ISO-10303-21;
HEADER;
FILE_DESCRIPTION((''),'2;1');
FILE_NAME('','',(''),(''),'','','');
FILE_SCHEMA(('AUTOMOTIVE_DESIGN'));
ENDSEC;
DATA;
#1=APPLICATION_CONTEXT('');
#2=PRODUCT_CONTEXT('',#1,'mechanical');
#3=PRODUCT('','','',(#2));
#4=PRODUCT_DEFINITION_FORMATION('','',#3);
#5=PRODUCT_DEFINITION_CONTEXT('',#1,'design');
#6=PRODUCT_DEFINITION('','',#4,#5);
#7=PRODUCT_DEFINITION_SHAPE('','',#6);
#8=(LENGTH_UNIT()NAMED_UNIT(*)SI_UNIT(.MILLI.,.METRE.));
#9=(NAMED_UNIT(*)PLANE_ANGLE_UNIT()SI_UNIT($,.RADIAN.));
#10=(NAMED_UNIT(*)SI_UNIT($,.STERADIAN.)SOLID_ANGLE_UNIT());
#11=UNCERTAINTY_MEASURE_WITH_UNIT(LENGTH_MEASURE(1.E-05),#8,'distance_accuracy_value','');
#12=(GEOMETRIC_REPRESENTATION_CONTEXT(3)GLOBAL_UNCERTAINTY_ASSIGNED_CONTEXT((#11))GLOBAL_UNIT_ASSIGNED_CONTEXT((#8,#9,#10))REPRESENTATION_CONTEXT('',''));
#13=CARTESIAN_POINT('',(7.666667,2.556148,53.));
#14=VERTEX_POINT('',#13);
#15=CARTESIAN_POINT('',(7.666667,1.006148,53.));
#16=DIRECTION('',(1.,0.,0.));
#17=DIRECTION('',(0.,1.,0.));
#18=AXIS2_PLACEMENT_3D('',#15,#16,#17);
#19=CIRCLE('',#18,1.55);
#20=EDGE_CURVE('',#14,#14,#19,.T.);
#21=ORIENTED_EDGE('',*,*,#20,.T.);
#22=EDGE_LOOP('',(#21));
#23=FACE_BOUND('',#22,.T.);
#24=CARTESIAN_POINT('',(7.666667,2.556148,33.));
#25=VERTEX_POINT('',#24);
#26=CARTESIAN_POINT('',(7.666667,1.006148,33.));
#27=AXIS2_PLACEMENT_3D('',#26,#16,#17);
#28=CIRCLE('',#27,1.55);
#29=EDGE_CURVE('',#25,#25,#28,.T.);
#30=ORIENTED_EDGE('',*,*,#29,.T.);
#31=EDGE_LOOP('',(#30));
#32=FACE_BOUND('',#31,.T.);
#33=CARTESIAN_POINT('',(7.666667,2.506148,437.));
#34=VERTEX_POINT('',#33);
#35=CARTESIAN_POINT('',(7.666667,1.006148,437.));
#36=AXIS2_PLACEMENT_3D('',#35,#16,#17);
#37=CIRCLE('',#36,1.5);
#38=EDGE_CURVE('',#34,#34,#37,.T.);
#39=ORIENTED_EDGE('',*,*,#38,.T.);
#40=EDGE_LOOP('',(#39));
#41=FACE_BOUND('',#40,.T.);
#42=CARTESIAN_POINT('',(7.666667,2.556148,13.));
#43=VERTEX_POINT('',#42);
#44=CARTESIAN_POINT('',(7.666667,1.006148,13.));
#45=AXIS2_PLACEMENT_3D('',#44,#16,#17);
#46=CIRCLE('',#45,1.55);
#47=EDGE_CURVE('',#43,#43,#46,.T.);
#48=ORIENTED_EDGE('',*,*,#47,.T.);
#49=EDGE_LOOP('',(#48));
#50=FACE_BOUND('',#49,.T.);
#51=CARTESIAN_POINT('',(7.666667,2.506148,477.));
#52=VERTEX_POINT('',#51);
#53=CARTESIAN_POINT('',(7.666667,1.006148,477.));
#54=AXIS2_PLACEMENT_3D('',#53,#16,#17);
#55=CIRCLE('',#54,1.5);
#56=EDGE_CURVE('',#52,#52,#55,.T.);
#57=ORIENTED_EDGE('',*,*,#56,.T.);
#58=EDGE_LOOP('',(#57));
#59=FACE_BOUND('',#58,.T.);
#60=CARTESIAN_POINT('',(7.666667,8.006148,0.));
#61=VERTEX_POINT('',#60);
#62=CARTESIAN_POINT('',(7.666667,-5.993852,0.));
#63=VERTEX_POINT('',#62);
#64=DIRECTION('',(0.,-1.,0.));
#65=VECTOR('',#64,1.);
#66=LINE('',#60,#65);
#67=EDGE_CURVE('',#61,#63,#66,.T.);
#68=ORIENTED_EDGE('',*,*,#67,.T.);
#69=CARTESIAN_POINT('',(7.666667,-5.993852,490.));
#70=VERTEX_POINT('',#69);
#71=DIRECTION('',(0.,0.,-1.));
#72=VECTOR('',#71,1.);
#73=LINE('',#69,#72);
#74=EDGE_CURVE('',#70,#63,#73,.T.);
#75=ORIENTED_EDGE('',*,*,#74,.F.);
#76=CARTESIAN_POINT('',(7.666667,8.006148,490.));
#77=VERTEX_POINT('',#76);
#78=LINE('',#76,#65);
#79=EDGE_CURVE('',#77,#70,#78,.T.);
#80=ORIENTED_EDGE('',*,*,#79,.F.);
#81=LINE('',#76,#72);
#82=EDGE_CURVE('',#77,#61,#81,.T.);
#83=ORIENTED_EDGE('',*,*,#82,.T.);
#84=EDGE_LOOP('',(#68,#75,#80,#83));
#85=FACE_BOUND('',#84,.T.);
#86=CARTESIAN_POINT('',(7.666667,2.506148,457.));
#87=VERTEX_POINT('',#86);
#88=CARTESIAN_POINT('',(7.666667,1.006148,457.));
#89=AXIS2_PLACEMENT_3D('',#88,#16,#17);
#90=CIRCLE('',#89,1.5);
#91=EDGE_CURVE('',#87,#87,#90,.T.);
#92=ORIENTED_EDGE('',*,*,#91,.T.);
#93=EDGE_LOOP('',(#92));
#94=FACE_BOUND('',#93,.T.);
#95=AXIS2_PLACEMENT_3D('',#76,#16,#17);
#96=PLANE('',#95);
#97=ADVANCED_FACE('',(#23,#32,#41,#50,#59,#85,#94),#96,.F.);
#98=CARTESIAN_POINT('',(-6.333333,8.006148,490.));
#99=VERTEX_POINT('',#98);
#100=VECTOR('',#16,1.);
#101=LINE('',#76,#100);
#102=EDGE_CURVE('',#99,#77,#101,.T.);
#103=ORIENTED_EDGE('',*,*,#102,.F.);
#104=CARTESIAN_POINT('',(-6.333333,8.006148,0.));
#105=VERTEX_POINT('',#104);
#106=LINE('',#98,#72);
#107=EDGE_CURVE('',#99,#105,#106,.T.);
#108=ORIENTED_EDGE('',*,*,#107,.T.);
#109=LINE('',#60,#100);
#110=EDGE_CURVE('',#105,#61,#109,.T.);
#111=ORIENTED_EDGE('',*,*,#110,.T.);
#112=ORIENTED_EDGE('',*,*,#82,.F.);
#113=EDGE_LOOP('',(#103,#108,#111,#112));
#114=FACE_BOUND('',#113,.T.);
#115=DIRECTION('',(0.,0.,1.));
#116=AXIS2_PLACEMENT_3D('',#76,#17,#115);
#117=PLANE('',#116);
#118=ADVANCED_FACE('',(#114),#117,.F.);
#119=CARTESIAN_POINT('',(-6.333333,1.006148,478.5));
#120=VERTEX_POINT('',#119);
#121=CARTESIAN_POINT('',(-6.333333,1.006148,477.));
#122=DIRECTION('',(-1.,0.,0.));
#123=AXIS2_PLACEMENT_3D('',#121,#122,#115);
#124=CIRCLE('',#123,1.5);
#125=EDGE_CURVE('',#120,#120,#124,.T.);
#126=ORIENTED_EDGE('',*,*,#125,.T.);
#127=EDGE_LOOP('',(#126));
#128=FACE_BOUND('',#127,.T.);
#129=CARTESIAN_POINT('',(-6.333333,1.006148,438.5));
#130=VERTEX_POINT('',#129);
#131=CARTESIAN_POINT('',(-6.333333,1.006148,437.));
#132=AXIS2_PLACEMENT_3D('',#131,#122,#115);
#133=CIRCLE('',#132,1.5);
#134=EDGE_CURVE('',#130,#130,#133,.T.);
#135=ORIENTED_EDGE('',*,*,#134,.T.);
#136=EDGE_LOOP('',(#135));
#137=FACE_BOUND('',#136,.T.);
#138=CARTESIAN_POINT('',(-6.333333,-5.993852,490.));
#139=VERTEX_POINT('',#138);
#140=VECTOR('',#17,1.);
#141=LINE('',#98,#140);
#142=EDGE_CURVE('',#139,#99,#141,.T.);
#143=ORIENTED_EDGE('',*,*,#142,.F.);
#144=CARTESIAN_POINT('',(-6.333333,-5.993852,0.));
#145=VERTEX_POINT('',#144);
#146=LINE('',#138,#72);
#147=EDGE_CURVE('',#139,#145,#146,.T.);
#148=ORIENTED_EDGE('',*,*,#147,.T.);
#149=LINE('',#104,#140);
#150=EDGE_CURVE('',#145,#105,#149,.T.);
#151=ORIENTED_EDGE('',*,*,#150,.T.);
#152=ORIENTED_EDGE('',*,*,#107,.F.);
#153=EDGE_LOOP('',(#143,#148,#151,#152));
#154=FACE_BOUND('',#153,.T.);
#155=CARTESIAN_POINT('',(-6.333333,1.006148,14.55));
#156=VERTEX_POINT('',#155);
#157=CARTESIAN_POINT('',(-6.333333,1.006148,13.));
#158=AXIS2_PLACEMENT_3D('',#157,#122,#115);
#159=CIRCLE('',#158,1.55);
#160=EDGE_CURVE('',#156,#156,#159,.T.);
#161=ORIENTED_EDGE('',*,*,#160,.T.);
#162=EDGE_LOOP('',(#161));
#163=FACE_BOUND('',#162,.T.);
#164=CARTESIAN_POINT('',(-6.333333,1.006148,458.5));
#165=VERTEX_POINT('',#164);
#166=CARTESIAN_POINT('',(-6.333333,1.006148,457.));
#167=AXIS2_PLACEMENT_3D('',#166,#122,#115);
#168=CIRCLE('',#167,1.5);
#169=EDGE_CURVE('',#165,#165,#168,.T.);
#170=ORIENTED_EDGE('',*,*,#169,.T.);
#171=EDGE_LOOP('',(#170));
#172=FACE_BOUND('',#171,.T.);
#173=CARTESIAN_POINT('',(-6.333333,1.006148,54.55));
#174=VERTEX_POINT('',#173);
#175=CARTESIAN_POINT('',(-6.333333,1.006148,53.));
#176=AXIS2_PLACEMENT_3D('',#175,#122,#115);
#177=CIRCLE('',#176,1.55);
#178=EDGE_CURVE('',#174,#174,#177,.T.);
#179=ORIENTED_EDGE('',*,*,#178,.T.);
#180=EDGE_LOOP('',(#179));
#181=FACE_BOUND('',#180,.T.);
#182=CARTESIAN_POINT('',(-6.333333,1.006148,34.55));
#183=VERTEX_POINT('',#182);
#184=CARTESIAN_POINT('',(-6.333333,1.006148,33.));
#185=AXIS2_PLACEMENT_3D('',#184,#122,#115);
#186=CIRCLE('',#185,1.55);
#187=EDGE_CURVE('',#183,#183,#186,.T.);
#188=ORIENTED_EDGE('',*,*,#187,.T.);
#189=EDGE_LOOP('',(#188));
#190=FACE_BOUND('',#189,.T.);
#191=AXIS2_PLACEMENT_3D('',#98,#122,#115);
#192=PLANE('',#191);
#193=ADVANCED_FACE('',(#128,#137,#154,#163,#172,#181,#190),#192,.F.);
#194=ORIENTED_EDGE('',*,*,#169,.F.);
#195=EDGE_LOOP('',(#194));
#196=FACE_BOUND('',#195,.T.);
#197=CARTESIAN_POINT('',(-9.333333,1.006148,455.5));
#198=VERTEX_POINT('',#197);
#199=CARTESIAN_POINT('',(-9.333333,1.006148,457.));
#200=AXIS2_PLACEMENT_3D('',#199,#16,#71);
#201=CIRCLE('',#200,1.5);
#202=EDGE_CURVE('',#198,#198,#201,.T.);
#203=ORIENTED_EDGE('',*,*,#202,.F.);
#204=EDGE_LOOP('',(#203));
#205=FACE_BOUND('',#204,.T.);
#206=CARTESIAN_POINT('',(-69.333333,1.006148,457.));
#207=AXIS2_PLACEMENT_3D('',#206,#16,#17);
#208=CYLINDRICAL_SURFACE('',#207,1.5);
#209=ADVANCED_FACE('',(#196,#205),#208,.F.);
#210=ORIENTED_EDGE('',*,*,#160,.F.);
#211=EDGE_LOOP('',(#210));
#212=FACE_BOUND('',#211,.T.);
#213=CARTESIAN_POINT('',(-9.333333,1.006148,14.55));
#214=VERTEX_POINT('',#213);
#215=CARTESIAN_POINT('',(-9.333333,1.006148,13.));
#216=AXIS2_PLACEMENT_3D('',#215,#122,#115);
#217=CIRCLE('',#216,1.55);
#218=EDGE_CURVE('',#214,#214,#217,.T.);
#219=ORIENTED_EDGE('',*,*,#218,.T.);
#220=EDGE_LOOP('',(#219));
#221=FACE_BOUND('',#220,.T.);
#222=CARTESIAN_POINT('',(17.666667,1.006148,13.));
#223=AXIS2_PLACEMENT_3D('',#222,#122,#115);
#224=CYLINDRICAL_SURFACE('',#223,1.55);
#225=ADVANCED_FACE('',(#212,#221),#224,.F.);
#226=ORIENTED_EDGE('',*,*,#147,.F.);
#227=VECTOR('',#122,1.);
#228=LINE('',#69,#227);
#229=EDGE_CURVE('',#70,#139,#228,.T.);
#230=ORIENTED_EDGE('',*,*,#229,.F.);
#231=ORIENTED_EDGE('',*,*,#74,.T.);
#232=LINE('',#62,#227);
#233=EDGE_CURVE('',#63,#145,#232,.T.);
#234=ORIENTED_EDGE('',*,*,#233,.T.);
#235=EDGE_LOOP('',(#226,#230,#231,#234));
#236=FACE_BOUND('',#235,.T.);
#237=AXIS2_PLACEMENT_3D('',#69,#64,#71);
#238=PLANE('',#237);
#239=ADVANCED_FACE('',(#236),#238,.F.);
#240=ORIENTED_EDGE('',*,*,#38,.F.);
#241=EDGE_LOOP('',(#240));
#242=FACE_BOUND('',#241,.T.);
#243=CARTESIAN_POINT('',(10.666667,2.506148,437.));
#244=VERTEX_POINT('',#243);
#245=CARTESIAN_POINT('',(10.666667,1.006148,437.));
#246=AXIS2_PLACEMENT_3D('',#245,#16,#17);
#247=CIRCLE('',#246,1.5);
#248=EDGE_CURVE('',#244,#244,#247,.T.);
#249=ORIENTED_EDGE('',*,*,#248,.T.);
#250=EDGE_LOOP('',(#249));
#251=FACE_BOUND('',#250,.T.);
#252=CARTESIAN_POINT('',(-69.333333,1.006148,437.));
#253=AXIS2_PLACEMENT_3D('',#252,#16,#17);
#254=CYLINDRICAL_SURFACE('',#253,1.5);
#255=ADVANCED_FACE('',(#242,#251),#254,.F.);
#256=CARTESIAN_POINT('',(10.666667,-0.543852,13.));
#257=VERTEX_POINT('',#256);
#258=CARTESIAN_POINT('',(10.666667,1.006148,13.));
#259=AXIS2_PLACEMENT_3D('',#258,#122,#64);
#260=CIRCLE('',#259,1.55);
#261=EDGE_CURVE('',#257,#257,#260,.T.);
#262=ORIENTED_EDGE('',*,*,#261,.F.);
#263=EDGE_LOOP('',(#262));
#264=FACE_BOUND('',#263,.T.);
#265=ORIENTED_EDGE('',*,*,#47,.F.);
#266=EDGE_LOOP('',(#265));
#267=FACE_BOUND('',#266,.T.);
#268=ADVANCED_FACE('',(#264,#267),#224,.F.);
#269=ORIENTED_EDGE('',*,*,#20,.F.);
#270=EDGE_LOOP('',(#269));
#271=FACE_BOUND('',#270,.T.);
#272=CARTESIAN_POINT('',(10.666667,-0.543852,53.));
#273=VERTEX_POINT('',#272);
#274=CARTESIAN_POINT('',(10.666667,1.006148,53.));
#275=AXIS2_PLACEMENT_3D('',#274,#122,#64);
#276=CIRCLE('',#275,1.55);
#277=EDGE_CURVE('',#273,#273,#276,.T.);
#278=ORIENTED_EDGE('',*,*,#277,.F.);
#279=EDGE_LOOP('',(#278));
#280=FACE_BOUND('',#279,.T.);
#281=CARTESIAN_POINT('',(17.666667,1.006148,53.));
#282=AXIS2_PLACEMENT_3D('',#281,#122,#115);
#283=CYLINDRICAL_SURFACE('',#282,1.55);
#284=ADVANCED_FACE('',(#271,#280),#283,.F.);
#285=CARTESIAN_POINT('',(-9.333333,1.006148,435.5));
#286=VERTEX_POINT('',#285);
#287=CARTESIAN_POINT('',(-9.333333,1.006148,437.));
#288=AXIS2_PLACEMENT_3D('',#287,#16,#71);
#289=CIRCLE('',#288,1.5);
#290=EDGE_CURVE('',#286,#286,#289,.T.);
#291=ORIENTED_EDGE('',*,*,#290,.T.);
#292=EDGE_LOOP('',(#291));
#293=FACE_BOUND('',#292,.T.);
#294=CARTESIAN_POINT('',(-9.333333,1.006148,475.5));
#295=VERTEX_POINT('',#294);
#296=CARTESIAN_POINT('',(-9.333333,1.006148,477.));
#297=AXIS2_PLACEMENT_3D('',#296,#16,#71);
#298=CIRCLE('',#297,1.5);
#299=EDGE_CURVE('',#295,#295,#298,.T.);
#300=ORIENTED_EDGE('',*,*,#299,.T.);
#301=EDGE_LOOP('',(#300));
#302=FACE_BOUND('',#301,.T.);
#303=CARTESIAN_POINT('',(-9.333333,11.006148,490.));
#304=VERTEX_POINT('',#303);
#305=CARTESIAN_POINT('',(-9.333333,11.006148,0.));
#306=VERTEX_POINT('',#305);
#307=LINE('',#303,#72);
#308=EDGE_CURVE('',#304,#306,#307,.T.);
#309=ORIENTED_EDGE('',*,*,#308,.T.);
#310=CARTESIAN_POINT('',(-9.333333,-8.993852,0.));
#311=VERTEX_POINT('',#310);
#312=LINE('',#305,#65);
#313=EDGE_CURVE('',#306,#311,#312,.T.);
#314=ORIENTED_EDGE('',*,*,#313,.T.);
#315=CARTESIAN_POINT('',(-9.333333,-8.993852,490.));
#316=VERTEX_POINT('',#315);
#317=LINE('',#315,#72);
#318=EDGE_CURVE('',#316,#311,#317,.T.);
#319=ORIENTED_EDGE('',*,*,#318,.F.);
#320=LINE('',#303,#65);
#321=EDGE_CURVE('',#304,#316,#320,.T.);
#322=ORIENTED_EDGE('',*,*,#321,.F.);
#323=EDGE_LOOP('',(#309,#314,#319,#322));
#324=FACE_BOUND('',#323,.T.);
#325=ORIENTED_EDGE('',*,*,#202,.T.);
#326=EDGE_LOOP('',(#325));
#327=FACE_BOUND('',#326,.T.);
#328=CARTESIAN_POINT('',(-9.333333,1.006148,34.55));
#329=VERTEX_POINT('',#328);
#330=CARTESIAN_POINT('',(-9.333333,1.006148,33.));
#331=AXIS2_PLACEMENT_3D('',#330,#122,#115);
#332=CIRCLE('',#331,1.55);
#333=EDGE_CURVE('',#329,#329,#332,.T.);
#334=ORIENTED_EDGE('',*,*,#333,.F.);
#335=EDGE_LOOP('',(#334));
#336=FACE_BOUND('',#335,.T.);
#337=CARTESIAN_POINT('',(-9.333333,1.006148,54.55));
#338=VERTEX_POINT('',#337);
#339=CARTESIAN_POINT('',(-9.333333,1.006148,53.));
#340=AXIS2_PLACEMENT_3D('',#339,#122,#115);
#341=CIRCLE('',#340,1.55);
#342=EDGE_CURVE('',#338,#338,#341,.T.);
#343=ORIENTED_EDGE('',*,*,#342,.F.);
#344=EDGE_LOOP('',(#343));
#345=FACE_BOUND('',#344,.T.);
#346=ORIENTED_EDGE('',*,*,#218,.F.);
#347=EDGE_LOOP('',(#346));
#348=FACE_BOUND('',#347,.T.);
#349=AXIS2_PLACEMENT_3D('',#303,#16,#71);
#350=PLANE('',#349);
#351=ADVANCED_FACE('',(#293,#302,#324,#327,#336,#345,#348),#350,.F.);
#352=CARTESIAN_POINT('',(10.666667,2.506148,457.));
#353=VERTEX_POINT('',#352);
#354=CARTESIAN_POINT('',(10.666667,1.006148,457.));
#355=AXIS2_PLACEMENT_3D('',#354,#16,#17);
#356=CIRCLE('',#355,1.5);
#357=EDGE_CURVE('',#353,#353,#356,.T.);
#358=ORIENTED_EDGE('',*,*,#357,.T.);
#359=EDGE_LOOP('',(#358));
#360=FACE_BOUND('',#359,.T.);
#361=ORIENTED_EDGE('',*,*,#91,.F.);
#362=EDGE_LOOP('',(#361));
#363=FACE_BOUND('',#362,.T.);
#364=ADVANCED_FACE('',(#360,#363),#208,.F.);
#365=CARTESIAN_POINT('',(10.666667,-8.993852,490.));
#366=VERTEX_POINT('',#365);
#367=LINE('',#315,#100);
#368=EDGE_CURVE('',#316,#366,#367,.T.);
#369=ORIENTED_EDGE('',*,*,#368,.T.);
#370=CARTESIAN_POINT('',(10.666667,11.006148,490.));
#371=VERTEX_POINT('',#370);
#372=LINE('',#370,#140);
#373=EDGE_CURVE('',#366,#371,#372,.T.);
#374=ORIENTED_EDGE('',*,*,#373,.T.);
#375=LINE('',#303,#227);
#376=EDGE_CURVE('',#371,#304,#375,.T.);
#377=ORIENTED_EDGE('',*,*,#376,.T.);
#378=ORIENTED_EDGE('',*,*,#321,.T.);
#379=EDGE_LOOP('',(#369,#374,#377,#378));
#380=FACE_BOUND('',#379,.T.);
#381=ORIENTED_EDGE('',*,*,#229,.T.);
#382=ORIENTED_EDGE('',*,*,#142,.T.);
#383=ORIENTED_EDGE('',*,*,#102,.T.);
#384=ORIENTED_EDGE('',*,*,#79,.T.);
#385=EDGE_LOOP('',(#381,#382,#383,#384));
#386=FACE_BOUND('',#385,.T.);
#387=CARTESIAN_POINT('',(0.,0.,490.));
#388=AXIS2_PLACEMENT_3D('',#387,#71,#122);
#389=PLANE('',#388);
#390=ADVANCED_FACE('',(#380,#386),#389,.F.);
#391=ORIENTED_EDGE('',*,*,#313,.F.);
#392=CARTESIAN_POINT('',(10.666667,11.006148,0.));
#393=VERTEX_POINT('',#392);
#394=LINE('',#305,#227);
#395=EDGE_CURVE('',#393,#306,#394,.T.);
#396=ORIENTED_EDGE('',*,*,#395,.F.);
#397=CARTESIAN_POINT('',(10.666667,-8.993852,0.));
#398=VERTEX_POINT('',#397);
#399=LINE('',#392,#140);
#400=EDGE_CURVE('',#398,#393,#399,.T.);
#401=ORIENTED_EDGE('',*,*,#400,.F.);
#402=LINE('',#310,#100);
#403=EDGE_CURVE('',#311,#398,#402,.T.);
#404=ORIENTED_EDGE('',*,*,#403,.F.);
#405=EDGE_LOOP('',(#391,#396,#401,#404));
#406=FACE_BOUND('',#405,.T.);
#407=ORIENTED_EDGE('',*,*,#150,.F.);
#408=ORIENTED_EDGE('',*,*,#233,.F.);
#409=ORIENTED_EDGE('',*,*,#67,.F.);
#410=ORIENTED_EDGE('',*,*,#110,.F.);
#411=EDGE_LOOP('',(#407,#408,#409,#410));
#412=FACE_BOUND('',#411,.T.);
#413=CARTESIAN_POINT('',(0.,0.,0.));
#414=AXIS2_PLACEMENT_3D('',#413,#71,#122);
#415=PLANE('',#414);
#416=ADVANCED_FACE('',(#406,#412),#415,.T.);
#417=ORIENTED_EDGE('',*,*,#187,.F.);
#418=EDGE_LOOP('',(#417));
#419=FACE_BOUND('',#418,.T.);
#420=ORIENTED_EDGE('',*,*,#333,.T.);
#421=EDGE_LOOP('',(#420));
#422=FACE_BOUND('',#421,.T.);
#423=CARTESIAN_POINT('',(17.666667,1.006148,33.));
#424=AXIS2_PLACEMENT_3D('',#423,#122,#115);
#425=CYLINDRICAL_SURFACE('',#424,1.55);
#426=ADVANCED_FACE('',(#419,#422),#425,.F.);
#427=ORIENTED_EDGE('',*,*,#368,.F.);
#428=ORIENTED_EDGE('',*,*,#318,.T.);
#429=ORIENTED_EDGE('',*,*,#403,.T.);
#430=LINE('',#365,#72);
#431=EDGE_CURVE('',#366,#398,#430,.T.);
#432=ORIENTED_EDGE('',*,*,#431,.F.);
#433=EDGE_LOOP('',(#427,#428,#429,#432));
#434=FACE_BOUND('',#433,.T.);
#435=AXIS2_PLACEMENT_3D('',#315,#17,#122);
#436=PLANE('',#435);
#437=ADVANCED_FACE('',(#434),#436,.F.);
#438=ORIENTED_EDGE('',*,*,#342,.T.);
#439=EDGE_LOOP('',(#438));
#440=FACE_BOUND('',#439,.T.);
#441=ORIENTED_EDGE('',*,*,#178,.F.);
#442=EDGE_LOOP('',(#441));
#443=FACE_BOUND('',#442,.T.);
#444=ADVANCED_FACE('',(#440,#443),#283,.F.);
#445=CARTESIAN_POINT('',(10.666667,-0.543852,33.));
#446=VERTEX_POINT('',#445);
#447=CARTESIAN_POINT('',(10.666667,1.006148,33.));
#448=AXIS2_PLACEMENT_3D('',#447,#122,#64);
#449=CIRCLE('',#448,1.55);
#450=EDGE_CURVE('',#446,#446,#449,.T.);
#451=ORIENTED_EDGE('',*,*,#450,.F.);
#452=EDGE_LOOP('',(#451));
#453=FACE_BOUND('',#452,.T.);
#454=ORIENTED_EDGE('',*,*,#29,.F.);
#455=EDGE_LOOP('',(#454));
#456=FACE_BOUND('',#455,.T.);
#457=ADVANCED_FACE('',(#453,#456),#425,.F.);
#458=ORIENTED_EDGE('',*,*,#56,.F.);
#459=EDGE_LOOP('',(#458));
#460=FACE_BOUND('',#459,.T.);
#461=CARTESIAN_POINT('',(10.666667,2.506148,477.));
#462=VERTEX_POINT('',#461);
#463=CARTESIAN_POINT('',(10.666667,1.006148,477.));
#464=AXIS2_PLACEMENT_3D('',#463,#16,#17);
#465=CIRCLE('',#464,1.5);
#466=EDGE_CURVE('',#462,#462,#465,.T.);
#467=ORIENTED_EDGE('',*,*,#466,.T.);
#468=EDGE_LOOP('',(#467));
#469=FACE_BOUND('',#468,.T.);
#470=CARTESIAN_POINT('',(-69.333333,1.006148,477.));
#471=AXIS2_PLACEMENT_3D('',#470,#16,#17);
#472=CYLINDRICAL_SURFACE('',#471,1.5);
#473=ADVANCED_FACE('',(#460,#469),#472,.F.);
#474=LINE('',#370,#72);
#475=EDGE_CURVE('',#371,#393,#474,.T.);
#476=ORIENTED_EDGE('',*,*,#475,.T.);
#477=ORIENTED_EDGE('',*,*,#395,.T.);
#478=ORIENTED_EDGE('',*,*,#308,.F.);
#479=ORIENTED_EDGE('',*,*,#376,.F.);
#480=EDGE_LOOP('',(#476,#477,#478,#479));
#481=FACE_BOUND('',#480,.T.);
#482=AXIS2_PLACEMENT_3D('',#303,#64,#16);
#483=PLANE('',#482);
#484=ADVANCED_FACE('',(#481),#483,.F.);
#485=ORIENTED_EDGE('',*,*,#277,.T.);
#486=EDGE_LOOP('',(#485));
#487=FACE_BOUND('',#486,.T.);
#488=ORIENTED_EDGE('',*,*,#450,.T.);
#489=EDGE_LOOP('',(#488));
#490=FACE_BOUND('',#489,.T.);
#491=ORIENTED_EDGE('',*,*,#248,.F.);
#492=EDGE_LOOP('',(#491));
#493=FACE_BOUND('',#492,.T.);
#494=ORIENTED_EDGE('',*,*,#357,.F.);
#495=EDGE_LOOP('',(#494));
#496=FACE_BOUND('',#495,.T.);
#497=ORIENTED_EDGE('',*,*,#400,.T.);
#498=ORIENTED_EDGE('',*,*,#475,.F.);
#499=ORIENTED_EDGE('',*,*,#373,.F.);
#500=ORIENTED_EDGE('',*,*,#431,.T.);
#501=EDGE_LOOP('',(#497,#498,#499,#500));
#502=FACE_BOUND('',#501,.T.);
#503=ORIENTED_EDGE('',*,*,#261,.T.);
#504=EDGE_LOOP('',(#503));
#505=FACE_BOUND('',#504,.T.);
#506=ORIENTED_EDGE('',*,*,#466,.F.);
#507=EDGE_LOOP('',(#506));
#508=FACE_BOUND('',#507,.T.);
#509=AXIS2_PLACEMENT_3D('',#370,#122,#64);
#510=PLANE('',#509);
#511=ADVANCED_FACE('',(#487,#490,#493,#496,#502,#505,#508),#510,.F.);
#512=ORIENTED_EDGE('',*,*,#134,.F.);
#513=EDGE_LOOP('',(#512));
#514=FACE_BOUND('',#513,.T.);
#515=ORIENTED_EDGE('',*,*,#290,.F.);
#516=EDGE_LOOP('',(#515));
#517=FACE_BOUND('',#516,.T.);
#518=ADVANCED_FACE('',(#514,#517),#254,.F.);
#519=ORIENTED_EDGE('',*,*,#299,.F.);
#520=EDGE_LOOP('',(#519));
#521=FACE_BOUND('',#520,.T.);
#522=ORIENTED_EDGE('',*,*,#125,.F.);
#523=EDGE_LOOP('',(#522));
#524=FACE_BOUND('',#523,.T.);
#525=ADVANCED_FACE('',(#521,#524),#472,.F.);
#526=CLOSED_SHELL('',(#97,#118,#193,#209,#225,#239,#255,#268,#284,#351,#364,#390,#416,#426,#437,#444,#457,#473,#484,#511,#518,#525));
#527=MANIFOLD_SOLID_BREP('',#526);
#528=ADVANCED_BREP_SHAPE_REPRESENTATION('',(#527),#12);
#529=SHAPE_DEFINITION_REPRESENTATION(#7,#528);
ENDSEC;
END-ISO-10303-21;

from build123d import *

# Parameters (mm, degrees)
SKETCH_1_W          = 20
SKETCH_1_H          = 20
EXTRUDE_1_DEPTH     = 490
SKETCH_2_W          = 14
SKETCH_2_H          = 14
CUT_EXTRUDE_1_DEPTH = 491
SKETCH_3_R          = 1.5
CUT_EXTRUDE_2_DEPTH = 80
SKETCH_4_R          = 1.55
CUT_EXTRUDE_3_DEPTH = 27


with BuildPart() as part:
    # 草图1 → 凸台-拉伸1 (new body)
    with BuildSketch(Plane.XY):
        with Locations((0.666666667, 1.006147649)):
            Rectangle(SKETCH_1_W, SKETCH_1_H)
    extrude(amount=EXTRUDE_1_DEPTH)

    # 草图2 → 切除-拉伸1 (cut, through all)
    with BuildSketch(Plane(origin=(0, 0, 0), x_dir=(-1, 0, 0), z_dir=(0, 0, -1))):
        with Locations((-0.666666667, 1.006147649)):
            Rectangle(SKETCH_2_W, SKETCH_2_H)
    extrude(amount=-CUT_EXTRUDE_1_DEPTH, mode=Mode.SUBTRACT)

    # 草图3 → 切除-拉伸2 (cut)
    with BuildSketch(Plane(origin=(10.666666667, 0, 0), x_dir=(0, 0, -1), z_dir=(1, 0, 0))):
        with Locations((-477, 1.006147649)):
            Circle(SKETCH_3_R)
        with Locations((-457, 1.006147649)):
            Circle(SKETCH_3_R)
        with Locations((-437, 1.006147649)):
            Circle(SKETCH_3_R)
    extrude(amount=-CUT_EXTRUDE_2_DEPTH, mode=Mode.SUBTRACT)

    # 草图4 → 切除-拉伸3 (cut)
    with BuildSketch(Plane.ZY.offset(9.333333333)):
        with Locations((13, 1.006147649)):
            Circle(SKETCH_4_R)
        with Locations((33, 1.006147649)):
            Circle(SKETCH_4_R)
        with Locations((53, 1.006147649)):
            Circle(SKETCH_4_R)
    extrude(amount=-CUT_EXTRUDE_3_DEPTH, mode=Mode.SUBTRACT)


solid = part.part
